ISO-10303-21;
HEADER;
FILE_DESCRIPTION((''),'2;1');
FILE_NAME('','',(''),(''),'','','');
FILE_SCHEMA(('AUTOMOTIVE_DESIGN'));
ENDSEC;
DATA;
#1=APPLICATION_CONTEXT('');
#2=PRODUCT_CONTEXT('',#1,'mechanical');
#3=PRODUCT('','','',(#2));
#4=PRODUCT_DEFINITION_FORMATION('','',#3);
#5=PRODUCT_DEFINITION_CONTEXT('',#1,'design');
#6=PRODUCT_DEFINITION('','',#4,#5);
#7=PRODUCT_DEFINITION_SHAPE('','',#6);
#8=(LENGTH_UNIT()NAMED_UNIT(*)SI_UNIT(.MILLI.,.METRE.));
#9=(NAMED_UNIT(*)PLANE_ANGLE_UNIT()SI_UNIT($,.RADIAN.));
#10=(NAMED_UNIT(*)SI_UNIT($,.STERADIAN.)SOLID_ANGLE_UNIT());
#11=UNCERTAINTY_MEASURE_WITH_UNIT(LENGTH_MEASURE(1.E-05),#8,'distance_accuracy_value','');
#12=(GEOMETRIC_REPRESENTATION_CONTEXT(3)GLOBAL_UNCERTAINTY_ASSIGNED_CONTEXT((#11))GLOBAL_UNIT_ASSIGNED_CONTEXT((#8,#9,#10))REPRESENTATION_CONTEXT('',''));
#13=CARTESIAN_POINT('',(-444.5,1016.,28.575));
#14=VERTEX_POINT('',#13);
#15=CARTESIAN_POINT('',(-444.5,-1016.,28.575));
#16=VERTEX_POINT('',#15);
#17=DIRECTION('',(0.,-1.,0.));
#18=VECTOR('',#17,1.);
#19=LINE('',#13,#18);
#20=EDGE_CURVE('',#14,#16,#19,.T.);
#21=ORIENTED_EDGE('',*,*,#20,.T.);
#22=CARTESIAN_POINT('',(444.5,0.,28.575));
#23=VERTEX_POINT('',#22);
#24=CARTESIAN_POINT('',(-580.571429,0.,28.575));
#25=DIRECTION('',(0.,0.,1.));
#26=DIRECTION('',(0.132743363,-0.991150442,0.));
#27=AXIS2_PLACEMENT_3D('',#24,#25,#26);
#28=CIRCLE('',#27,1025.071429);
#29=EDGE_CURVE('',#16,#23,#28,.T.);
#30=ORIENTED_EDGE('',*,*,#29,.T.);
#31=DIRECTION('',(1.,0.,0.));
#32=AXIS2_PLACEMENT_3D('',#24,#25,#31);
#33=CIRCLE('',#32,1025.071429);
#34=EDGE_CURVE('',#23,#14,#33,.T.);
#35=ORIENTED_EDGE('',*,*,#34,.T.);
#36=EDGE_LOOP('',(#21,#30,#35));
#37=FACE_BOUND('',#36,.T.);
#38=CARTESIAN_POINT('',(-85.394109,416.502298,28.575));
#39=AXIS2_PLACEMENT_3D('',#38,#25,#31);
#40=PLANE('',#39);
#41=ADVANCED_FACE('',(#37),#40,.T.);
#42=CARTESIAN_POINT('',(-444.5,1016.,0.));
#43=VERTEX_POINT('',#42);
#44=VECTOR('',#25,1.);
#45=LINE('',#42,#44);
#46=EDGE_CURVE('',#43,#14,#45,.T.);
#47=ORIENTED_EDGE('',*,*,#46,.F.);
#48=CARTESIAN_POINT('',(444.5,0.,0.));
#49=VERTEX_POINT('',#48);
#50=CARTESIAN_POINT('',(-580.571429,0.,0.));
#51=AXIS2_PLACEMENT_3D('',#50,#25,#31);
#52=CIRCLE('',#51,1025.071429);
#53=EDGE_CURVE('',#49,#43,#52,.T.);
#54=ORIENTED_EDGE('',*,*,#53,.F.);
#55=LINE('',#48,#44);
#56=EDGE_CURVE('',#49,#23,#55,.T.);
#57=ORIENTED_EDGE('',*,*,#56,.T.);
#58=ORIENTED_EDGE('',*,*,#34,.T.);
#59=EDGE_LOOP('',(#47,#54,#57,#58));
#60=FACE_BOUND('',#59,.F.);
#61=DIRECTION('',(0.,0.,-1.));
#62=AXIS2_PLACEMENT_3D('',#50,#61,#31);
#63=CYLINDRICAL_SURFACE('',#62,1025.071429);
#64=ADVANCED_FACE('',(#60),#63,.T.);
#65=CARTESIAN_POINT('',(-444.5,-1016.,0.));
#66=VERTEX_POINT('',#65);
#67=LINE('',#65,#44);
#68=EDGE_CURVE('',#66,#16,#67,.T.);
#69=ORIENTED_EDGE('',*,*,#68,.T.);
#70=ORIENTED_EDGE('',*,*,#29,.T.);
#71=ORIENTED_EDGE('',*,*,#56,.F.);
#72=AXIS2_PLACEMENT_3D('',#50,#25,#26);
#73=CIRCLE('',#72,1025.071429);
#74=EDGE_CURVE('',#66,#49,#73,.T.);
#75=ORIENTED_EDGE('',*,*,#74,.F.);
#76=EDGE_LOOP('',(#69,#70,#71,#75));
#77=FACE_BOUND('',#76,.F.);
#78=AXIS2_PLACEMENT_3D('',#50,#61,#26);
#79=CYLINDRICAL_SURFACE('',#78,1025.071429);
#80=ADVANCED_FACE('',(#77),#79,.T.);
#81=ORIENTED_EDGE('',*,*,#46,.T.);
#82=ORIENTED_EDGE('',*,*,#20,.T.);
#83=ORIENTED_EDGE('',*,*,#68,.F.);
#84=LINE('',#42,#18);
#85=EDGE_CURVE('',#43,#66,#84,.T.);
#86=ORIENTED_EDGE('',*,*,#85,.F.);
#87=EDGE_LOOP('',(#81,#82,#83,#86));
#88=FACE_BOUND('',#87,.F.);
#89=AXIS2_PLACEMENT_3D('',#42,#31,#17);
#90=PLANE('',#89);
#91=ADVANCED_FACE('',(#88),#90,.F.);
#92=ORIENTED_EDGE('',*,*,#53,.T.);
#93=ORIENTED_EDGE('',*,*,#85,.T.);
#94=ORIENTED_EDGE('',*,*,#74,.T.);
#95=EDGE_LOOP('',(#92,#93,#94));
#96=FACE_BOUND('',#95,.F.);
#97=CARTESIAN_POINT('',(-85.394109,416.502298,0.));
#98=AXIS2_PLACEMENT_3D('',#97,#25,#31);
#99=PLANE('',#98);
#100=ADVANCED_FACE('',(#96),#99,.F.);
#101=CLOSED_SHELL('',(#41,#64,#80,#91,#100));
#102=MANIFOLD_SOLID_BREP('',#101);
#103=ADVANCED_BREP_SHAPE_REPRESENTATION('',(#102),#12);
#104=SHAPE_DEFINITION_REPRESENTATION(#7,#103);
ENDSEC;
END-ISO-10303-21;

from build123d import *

# Parameters (mm, degrees)
F1_DEPTH = 28.575


with BuildPart() as f1:
    # F0 (on Top) → F1 (new body)
    with BuildSketch(Plane.XY):
        with BuildLine():
            ThreePointArc((444.5, 0), (190.873439, 675.014259), (-444.5, 1016))
            Line((-444.5, 1016), (-444.5, 0))
            Line((-444.5, 0), (444.5, 0))
        make_face()
        with BuildLine():
            ThreePointArc((-444.5, -1016), (190.873439, -675.014259), (444.5, 0))
            Line((444.5, 0), (-444.5, 0))
            Line((-444.5, 0), (-444.5, -1016))
        make_face()
    extrude(amount=F1_DEPTH)


solid = f1.part
